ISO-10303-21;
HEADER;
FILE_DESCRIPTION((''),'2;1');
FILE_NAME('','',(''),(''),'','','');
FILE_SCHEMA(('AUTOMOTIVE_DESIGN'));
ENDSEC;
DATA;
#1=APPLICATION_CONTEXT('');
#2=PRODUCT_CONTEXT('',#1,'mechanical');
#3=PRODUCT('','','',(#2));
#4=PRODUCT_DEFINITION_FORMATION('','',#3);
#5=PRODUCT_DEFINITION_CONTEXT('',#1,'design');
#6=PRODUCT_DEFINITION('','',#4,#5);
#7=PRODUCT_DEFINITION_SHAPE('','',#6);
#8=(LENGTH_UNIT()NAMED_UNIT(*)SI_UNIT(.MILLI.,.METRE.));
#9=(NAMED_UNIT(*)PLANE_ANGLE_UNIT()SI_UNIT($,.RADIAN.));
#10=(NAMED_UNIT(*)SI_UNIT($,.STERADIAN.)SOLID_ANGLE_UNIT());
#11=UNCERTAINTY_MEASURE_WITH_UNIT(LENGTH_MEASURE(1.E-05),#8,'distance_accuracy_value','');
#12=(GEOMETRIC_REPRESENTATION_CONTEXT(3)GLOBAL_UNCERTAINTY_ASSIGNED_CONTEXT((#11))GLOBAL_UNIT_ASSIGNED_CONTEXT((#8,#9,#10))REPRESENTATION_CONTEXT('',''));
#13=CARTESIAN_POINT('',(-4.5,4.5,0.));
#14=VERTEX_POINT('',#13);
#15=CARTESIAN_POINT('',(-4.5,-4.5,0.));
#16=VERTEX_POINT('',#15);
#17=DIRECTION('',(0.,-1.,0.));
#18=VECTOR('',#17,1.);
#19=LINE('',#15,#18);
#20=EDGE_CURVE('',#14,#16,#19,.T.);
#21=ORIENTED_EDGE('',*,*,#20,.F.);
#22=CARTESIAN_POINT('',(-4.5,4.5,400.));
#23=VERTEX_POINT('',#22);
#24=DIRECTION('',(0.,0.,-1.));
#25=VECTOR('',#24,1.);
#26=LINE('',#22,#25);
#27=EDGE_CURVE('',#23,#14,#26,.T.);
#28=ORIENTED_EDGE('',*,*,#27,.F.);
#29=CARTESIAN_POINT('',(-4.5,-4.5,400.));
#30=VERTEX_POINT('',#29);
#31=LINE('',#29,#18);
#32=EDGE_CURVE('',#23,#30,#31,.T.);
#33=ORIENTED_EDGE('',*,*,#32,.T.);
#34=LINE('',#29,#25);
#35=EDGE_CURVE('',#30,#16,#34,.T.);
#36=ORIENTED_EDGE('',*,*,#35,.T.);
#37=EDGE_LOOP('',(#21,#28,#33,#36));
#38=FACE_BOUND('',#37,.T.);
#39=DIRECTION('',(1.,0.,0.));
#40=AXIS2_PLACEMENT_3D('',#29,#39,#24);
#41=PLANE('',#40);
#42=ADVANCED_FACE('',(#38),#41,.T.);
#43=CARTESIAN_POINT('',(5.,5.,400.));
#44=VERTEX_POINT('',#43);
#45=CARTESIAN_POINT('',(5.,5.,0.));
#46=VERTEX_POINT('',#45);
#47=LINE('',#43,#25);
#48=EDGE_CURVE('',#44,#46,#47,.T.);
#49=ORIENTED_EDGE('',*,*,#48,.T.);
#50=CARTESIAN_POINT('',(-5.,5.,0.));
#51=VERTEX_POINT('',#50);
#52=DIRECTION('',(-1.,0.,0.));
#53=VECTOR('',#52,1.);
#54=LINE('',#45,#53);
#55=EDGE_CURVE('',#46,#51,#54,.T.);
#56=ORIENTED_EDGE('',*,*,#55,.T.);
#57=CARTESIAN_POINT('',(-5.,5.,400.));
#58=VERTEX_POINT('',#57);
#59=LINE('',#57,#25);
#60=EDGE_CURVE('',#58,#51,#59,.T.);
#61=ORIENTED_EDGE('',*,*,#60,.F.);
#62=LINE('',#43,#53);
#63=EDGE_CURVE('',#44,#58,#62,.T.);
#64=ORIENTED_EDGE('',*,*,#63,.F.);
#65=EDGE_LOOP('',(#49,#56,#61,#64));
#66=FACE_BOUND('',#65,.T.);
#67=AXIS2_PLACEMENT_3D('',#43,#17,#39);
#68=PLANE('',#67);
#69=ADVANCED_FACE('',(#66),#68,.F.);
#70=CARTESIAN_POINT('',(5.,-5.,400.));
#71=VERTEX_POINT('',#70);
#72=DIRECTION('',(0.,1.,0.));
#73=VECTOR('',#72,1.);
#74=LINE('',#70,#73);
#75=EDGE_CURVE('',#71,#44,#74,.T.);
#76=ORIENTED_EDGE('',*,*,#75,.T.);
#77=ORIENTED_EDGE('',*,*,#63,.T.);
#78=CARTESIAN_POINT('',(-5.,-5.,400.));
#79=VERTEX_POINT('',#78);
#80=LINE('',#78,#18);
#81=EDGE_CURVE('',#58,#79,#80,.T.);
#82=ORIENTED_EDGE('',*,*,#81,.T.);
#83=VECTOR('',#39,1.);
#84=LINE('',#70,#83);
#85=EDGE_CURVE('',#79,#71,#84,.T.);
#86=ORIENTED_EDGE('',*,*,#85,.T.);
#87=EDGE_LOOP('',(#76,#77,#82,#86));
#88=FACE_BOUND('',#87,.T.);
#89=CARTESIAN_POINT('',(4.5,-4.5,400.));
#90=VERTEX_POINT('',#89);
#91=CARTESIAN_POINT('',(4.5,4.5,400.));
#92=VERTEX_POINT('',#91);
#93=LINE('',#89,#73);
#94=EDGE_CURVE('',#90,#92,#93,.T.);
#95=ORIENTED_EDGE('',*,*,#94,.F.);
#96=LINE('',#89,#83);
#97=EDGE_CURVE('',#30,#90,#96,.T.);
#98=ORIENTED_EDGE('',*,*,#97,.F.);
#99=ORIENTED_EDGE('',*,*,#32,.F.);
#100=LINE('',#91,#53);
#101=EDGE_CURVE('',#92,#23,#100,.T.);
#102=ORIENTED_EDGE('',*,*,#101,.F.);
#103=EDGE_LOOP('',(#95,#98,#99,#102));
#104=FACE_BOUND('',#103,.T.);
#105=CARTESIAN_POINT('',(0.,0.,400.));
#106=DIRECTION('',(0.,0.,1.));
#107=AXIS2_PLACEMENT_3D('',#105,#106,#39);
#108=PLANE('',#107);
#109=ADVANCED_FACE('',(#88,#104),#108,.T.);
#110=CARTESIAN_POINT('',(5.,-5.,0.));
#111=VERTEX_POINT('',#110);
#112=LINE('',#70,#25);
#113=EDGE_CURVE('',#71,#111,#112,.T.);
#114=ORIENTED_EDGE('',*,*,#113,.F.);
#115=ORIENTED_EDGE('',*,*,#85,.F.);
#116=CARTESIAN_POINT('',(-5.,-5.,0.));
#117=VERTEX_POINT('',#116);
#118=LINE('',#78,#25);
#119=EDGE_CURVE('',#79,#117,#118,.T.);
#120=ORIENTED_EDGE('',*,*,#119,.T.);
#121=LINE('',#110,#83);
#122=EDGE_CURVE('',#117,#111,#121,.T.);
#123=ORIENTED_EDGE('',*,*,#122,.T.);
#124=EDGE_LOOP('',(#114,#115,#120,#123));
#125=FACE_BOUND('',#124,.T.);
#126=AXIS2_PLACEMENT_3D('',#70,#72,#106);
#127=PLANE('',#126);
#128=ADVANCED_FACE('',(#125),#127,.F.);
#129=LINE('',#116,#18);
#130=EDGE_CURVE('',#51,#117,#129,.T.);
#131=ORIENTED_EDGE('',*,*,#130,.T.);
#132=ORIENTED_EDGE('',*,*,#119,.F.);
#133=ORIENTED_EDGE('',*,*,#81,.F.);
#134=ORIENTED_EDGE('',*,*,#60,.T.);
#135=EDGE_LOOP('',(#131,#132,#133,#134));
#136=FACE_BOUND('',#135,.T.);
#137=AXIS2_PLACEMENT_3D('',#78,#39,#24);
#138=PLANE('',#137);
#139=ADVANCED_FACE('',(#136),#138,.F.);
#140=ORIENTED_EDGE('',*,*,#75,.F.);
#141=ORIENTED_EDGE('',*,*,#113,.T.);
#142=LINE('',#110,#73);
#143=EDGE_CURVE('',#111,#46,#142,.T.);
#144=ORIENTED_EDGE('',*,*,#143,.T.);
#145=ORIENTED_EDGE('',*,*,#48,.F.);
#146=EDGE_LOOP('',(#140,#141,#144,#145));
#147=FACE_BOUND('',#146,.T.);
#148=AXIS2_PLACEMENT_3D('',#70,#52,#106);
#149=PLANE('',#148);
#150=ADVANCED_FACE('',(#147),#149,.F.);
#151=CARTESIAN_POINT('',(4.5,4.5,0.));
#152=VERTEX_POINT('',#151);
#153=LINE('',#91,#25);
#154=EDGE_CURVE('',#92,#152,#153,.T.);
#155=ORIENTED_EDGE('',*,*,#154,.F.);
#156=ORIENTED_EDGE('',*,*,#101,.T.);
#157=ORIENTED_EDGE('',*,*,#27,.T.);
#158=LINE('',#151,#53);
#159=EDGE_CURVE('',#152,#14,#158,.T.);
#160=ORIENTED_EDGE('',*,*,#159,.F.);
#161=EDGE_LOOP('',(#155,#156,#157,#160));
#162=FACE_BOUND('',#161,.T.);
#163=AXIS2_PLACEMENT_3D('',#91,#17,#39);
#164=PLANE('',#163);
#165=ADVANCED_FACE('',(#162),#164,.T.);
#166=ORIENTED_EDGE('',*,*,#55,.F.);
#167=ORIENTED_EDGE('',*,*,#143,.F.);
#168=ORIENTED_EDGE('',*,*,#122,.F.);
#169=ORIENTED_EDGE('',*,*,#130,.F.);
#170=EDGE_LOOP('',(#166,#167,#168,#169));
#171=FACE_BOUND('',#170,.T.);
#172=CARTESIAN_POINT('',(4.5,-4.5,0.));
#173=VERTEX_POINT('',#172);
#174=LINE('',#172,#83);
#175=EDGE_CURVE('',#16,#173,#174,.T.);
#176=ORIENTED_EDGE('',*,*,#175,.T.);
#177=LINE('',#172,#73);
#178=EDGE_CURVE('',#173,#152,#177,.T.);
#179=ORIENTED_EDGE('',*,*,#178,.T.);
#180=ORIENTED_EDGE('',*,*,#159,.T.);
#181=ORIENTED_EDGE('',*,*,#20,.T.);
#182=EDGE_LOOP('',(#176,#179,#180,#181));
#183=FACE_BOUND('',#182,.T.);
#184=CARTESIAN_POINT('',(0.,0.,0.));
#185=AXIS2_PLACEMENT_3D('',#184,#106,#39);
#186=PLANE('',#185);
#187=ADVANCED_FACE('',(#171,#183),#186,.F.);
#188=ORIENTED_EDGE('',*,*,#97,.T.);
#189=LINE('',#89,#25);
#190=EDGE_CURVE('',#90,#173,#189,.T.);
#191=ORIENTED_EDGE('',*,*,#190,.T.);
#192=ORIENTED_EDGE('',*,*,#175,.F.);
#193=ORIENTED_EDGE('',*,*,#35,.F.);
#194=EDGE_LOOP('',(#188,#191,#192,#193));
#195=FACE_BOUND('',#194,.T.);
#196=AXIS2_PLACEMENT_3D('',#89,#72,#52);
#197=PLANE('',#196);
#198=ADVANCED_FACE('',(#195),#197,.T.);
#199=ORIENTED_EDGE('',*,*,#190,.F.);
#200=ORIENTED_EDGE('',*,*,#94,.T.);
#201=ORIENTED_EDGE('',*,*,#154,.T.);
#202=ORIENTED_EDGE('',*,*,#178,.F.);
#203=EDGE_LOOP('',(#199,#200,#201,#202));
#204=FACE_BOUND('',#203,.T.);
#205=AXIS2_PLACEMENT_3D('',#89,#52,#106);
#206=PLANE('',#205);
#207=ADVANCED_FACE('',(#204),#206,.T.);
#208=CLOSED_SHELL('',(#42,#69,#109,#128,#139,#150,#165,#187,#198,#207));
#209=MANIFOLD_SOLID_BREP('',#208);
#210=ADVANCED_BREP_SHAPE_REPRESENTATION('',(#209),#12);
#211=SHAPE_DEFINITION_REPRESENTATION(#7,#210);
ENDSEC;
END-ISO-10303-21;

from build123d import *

# Parameters (mm, degrees)
SKETCH_1_W      = 10
SKETCH_1_H      = 10
SKETCH_1_W_2    = 9
SKETCH_1_H_2    = 9
EXTRUDE_1_DEPTH = 400


with BuildPart() as part:
    # Эскиз1 → Бобышка-Вытянуть1 (new body)
    with BuildSketch(Plane.XY):
        Rectangle(SKETCH_1_W, SKETCH_1_H)
        Rectangle(SKETCH_1_W_2, SKETCH_1_H_2, mode=Mode.SUBTRACT)
    extrude(amount=EXTRUDE_1_DEPTH)


solid = part.part
